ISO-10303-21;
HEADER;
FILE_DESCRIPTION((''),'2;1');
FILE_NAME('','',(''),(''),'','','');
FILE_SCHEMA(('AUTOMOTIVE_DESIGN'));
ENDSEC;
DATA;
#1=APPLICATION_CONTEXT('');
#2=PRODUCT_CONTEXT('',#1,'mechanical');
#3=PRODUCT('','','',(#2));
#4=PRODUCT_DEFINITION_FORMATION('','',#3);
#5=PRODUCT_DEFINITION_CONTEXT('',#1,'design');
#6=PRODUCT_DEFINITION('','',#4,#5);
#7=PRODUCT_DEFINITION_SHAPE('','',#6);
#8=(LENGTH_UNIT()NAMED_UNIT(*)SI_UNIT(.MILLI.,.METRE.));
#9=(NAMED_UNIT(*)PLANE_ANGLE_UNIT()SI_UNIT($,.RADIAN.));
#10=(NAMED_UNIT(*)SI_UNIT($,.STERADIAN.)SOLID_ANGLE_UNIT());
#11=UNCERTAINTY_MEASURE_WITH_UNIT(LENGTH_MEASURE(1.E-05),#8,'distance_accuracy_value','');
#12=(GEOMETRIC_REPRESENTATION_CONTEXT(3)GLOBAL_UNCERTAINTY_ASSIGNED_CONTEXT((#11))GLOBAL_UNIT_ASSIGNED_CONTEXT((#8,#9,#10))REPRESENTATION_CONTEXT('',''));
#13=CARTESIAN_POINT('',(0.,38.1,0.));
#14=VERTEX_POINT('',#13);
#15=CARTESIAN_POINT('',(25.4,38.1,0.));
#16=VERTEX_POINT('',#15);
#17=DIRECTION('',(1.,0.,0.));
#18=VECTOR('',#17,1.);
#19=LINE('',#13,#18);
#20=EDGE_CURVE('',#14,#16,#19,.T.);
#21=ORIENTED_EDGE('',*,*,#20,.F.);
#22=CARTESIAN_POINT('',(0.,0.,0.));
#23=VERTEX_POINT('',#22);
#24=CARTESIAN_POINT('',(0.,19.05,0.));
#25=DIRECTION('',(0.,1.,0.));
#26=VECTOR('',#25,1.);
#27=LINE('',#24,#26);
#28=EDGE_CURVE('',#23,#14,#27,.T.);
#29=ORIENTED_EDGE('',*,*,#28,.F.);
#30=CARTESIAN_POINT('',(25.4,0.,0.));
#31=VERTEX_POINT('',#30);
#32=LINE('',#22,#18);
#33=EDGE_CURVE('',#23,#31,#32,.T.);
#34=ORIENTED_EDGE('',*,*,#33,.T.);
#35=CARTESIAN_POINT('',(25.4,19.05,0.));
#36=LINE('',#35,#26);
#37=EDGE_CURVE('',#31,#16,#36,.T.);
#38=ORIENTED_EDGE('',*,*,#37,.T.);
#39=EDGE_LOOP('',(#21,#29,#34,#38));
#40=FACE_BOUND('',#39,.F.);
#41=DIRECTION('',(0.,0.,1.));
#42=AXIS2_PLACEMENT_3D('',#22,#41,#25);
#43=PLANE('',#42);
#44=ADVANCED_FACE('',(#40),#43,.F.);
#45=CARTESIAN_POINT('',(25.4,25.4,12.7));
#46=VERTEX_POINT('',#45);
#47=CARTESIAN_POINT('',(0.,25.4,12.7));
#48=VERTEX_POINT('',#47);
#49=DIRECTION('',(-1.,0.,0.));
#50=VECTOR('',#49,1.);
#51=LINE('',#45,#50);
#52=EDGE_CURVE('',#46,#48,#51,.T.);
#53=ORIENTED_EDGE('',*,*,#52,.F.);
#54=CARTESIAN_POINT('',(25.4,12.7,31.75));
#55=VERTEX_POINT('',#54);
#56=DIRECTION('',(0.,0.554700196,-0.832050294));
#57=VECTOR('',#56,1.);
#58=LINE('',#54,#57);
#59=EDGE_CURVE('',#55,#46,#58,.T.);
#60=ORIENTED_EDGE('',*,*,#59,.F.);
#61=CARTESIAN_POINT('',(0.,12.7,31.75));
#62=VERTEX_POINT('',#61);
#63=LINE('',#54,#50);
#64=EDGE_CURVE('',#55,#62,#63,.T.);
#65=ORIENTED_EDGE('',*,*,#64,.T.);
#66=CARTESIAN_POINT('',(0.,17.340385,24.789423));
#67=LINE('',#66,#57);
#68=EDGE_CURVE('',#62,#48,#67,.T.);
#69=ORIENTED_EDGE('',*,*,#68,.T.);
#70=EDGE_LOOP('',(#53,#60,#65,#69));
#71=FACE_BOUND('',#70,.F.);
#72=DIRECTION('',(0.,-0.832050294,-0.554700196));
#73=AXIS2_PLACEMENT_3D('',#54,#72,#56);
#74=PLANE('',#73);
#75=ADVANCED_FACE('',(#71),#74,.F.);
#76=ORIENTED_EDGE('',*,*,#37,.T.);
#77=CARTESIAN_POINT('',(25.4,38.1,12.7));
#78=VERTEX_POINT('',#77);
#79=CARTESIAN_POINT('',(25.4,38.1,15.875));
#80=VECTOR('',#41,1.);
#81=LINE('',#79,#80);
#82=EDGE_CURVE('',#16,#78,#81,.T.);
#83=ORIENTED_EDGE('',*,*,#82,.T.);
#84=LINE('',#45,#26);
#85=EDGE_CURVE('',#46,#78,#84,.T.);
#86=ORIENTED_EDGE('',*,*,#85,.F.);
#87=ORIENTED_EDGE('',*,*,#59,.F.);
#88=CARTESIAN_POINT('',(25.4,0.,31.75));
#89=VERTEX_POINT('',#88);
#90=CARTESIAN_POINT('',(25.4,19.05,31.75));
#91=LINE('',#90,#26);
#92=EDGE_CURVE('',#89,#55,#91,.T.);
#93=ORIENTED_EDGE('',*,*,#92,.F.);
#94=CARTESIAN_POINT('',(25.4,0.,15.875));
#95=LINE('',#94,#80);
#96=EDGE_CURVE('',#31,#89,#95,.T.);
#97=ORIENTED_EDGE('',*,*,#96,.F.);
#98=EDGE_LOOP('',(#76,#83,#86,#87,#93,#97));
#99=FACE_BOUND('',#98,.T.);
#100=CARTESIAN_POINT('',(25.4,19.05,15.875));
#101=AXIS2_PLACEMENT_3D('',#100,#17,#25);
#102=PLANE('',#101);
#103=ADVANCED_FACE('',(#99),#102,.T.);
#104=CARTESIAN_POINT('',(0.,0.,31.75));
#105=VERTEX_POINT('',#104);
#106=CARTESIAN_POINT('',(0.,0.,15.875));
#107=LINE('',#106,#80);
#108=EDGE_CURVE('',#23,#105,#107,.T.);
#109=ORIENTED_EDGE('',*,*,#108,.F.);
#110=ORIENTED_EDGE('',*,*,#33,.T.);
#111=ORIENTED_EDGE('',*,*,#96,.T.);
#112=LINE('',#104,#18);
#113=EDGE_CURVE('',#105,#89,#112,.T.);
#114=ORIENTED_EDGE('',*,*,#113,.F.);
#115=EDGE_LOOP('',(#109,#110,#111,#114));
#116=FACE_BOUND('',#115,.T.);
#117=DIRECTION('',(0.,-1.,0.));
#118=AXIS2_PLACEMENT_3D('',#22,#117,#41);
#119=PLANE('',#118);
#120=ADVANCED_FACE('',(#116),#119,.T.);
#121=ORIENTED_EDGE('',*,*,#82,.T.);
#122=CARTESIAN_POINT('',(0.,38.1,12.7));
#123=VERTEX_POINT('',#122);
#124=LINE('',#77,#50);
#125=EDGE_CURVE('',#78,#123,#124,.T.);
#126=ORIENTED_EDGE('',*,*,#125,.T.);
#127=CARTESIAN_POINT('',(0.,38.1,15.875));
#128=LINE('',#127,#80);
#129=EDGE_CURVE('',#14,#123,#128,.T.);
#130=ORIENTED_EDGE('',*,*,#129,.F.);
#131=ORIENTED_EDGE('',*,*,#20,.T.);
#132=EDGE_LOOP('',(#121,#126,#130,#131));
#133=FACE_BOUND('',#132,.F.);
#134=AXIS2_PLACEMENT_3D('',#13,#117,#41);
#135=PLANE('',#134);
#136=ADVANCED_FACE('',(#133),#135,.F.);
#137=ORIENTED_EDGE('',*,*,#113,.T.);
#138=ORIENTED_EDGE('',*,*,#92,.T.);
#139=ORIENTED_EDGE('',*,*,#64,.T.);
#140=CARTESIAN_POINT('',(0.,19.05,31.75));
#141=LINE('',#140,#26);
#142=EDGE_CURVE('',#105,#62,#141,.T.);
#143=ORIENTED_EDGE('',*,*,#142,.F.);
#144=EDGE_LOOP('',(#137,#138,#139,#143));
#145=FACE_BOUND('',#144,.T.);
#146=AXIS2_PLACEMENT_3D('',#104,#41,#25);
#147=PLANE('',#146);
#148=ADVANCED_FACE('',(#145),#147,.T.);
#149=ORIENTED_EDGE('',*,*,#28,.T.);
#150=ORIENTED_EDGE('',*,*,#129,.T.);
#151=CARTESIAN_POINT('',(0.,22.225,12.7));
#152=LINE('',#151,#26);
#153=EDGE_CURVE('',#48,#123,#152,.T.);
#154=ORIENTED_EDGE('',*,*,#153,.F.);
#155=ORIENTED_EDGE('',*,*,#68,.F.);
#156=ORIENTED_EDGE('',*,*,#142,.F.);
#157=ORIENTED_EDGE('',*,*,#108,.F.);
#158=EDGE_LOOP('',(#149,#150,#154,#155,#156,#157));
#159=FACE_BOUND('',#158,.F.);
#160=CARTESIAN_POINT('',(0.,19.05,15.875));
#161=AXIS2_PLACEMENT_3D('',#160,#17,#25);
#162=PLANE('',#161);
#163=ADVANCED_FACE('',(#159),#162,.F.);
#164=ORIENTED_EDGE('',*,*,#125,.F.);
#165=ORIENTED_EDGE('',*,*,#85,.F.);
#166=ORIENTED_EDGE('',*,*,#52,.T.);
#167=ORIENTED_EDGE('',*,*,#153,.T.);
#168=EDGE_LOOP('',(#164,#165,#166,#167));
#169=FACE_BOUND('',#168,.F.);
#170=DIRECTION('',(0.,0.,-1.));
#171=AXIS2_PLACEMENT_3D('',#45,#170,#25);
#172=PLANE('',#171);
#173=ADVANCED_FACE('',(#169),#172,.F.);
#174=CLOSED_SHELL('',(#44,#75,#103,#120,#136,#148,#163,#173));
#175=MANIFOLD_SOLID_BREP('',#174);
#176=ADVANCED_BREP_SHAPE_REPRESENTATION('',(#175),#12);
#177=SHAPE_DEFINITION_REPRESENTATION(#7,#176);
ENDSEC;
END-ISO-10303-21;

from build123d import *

# Parameters (mm, degrees)
F0_W     = 38.1
F0_H     = 31.75
F1_DEPTH = 25.4
F3_DEPTH = 25.401


with BuildPart() as f1:
    # F0 (on Right) → F1 (new body)
    with BuildSketch(Plane.YZ):
        with Locations((19.05, 15.875)):
            Rectangle(F0_W, F0_H)
    extrude(amount=F1_DEPTH)

    # F2 (on face) → F3 (cut, through all)
    with BuildSketch(Plane.YZ.offset(25.4)):
        Polygon((25.4, 12.7), (38.1, 12.7), (38.1, 31.75), (12.7, 31.75), align=None)
    extrude(amount=-F3_DEPTH, mode=Mode.SUBTRACT)


solid = f1.part
